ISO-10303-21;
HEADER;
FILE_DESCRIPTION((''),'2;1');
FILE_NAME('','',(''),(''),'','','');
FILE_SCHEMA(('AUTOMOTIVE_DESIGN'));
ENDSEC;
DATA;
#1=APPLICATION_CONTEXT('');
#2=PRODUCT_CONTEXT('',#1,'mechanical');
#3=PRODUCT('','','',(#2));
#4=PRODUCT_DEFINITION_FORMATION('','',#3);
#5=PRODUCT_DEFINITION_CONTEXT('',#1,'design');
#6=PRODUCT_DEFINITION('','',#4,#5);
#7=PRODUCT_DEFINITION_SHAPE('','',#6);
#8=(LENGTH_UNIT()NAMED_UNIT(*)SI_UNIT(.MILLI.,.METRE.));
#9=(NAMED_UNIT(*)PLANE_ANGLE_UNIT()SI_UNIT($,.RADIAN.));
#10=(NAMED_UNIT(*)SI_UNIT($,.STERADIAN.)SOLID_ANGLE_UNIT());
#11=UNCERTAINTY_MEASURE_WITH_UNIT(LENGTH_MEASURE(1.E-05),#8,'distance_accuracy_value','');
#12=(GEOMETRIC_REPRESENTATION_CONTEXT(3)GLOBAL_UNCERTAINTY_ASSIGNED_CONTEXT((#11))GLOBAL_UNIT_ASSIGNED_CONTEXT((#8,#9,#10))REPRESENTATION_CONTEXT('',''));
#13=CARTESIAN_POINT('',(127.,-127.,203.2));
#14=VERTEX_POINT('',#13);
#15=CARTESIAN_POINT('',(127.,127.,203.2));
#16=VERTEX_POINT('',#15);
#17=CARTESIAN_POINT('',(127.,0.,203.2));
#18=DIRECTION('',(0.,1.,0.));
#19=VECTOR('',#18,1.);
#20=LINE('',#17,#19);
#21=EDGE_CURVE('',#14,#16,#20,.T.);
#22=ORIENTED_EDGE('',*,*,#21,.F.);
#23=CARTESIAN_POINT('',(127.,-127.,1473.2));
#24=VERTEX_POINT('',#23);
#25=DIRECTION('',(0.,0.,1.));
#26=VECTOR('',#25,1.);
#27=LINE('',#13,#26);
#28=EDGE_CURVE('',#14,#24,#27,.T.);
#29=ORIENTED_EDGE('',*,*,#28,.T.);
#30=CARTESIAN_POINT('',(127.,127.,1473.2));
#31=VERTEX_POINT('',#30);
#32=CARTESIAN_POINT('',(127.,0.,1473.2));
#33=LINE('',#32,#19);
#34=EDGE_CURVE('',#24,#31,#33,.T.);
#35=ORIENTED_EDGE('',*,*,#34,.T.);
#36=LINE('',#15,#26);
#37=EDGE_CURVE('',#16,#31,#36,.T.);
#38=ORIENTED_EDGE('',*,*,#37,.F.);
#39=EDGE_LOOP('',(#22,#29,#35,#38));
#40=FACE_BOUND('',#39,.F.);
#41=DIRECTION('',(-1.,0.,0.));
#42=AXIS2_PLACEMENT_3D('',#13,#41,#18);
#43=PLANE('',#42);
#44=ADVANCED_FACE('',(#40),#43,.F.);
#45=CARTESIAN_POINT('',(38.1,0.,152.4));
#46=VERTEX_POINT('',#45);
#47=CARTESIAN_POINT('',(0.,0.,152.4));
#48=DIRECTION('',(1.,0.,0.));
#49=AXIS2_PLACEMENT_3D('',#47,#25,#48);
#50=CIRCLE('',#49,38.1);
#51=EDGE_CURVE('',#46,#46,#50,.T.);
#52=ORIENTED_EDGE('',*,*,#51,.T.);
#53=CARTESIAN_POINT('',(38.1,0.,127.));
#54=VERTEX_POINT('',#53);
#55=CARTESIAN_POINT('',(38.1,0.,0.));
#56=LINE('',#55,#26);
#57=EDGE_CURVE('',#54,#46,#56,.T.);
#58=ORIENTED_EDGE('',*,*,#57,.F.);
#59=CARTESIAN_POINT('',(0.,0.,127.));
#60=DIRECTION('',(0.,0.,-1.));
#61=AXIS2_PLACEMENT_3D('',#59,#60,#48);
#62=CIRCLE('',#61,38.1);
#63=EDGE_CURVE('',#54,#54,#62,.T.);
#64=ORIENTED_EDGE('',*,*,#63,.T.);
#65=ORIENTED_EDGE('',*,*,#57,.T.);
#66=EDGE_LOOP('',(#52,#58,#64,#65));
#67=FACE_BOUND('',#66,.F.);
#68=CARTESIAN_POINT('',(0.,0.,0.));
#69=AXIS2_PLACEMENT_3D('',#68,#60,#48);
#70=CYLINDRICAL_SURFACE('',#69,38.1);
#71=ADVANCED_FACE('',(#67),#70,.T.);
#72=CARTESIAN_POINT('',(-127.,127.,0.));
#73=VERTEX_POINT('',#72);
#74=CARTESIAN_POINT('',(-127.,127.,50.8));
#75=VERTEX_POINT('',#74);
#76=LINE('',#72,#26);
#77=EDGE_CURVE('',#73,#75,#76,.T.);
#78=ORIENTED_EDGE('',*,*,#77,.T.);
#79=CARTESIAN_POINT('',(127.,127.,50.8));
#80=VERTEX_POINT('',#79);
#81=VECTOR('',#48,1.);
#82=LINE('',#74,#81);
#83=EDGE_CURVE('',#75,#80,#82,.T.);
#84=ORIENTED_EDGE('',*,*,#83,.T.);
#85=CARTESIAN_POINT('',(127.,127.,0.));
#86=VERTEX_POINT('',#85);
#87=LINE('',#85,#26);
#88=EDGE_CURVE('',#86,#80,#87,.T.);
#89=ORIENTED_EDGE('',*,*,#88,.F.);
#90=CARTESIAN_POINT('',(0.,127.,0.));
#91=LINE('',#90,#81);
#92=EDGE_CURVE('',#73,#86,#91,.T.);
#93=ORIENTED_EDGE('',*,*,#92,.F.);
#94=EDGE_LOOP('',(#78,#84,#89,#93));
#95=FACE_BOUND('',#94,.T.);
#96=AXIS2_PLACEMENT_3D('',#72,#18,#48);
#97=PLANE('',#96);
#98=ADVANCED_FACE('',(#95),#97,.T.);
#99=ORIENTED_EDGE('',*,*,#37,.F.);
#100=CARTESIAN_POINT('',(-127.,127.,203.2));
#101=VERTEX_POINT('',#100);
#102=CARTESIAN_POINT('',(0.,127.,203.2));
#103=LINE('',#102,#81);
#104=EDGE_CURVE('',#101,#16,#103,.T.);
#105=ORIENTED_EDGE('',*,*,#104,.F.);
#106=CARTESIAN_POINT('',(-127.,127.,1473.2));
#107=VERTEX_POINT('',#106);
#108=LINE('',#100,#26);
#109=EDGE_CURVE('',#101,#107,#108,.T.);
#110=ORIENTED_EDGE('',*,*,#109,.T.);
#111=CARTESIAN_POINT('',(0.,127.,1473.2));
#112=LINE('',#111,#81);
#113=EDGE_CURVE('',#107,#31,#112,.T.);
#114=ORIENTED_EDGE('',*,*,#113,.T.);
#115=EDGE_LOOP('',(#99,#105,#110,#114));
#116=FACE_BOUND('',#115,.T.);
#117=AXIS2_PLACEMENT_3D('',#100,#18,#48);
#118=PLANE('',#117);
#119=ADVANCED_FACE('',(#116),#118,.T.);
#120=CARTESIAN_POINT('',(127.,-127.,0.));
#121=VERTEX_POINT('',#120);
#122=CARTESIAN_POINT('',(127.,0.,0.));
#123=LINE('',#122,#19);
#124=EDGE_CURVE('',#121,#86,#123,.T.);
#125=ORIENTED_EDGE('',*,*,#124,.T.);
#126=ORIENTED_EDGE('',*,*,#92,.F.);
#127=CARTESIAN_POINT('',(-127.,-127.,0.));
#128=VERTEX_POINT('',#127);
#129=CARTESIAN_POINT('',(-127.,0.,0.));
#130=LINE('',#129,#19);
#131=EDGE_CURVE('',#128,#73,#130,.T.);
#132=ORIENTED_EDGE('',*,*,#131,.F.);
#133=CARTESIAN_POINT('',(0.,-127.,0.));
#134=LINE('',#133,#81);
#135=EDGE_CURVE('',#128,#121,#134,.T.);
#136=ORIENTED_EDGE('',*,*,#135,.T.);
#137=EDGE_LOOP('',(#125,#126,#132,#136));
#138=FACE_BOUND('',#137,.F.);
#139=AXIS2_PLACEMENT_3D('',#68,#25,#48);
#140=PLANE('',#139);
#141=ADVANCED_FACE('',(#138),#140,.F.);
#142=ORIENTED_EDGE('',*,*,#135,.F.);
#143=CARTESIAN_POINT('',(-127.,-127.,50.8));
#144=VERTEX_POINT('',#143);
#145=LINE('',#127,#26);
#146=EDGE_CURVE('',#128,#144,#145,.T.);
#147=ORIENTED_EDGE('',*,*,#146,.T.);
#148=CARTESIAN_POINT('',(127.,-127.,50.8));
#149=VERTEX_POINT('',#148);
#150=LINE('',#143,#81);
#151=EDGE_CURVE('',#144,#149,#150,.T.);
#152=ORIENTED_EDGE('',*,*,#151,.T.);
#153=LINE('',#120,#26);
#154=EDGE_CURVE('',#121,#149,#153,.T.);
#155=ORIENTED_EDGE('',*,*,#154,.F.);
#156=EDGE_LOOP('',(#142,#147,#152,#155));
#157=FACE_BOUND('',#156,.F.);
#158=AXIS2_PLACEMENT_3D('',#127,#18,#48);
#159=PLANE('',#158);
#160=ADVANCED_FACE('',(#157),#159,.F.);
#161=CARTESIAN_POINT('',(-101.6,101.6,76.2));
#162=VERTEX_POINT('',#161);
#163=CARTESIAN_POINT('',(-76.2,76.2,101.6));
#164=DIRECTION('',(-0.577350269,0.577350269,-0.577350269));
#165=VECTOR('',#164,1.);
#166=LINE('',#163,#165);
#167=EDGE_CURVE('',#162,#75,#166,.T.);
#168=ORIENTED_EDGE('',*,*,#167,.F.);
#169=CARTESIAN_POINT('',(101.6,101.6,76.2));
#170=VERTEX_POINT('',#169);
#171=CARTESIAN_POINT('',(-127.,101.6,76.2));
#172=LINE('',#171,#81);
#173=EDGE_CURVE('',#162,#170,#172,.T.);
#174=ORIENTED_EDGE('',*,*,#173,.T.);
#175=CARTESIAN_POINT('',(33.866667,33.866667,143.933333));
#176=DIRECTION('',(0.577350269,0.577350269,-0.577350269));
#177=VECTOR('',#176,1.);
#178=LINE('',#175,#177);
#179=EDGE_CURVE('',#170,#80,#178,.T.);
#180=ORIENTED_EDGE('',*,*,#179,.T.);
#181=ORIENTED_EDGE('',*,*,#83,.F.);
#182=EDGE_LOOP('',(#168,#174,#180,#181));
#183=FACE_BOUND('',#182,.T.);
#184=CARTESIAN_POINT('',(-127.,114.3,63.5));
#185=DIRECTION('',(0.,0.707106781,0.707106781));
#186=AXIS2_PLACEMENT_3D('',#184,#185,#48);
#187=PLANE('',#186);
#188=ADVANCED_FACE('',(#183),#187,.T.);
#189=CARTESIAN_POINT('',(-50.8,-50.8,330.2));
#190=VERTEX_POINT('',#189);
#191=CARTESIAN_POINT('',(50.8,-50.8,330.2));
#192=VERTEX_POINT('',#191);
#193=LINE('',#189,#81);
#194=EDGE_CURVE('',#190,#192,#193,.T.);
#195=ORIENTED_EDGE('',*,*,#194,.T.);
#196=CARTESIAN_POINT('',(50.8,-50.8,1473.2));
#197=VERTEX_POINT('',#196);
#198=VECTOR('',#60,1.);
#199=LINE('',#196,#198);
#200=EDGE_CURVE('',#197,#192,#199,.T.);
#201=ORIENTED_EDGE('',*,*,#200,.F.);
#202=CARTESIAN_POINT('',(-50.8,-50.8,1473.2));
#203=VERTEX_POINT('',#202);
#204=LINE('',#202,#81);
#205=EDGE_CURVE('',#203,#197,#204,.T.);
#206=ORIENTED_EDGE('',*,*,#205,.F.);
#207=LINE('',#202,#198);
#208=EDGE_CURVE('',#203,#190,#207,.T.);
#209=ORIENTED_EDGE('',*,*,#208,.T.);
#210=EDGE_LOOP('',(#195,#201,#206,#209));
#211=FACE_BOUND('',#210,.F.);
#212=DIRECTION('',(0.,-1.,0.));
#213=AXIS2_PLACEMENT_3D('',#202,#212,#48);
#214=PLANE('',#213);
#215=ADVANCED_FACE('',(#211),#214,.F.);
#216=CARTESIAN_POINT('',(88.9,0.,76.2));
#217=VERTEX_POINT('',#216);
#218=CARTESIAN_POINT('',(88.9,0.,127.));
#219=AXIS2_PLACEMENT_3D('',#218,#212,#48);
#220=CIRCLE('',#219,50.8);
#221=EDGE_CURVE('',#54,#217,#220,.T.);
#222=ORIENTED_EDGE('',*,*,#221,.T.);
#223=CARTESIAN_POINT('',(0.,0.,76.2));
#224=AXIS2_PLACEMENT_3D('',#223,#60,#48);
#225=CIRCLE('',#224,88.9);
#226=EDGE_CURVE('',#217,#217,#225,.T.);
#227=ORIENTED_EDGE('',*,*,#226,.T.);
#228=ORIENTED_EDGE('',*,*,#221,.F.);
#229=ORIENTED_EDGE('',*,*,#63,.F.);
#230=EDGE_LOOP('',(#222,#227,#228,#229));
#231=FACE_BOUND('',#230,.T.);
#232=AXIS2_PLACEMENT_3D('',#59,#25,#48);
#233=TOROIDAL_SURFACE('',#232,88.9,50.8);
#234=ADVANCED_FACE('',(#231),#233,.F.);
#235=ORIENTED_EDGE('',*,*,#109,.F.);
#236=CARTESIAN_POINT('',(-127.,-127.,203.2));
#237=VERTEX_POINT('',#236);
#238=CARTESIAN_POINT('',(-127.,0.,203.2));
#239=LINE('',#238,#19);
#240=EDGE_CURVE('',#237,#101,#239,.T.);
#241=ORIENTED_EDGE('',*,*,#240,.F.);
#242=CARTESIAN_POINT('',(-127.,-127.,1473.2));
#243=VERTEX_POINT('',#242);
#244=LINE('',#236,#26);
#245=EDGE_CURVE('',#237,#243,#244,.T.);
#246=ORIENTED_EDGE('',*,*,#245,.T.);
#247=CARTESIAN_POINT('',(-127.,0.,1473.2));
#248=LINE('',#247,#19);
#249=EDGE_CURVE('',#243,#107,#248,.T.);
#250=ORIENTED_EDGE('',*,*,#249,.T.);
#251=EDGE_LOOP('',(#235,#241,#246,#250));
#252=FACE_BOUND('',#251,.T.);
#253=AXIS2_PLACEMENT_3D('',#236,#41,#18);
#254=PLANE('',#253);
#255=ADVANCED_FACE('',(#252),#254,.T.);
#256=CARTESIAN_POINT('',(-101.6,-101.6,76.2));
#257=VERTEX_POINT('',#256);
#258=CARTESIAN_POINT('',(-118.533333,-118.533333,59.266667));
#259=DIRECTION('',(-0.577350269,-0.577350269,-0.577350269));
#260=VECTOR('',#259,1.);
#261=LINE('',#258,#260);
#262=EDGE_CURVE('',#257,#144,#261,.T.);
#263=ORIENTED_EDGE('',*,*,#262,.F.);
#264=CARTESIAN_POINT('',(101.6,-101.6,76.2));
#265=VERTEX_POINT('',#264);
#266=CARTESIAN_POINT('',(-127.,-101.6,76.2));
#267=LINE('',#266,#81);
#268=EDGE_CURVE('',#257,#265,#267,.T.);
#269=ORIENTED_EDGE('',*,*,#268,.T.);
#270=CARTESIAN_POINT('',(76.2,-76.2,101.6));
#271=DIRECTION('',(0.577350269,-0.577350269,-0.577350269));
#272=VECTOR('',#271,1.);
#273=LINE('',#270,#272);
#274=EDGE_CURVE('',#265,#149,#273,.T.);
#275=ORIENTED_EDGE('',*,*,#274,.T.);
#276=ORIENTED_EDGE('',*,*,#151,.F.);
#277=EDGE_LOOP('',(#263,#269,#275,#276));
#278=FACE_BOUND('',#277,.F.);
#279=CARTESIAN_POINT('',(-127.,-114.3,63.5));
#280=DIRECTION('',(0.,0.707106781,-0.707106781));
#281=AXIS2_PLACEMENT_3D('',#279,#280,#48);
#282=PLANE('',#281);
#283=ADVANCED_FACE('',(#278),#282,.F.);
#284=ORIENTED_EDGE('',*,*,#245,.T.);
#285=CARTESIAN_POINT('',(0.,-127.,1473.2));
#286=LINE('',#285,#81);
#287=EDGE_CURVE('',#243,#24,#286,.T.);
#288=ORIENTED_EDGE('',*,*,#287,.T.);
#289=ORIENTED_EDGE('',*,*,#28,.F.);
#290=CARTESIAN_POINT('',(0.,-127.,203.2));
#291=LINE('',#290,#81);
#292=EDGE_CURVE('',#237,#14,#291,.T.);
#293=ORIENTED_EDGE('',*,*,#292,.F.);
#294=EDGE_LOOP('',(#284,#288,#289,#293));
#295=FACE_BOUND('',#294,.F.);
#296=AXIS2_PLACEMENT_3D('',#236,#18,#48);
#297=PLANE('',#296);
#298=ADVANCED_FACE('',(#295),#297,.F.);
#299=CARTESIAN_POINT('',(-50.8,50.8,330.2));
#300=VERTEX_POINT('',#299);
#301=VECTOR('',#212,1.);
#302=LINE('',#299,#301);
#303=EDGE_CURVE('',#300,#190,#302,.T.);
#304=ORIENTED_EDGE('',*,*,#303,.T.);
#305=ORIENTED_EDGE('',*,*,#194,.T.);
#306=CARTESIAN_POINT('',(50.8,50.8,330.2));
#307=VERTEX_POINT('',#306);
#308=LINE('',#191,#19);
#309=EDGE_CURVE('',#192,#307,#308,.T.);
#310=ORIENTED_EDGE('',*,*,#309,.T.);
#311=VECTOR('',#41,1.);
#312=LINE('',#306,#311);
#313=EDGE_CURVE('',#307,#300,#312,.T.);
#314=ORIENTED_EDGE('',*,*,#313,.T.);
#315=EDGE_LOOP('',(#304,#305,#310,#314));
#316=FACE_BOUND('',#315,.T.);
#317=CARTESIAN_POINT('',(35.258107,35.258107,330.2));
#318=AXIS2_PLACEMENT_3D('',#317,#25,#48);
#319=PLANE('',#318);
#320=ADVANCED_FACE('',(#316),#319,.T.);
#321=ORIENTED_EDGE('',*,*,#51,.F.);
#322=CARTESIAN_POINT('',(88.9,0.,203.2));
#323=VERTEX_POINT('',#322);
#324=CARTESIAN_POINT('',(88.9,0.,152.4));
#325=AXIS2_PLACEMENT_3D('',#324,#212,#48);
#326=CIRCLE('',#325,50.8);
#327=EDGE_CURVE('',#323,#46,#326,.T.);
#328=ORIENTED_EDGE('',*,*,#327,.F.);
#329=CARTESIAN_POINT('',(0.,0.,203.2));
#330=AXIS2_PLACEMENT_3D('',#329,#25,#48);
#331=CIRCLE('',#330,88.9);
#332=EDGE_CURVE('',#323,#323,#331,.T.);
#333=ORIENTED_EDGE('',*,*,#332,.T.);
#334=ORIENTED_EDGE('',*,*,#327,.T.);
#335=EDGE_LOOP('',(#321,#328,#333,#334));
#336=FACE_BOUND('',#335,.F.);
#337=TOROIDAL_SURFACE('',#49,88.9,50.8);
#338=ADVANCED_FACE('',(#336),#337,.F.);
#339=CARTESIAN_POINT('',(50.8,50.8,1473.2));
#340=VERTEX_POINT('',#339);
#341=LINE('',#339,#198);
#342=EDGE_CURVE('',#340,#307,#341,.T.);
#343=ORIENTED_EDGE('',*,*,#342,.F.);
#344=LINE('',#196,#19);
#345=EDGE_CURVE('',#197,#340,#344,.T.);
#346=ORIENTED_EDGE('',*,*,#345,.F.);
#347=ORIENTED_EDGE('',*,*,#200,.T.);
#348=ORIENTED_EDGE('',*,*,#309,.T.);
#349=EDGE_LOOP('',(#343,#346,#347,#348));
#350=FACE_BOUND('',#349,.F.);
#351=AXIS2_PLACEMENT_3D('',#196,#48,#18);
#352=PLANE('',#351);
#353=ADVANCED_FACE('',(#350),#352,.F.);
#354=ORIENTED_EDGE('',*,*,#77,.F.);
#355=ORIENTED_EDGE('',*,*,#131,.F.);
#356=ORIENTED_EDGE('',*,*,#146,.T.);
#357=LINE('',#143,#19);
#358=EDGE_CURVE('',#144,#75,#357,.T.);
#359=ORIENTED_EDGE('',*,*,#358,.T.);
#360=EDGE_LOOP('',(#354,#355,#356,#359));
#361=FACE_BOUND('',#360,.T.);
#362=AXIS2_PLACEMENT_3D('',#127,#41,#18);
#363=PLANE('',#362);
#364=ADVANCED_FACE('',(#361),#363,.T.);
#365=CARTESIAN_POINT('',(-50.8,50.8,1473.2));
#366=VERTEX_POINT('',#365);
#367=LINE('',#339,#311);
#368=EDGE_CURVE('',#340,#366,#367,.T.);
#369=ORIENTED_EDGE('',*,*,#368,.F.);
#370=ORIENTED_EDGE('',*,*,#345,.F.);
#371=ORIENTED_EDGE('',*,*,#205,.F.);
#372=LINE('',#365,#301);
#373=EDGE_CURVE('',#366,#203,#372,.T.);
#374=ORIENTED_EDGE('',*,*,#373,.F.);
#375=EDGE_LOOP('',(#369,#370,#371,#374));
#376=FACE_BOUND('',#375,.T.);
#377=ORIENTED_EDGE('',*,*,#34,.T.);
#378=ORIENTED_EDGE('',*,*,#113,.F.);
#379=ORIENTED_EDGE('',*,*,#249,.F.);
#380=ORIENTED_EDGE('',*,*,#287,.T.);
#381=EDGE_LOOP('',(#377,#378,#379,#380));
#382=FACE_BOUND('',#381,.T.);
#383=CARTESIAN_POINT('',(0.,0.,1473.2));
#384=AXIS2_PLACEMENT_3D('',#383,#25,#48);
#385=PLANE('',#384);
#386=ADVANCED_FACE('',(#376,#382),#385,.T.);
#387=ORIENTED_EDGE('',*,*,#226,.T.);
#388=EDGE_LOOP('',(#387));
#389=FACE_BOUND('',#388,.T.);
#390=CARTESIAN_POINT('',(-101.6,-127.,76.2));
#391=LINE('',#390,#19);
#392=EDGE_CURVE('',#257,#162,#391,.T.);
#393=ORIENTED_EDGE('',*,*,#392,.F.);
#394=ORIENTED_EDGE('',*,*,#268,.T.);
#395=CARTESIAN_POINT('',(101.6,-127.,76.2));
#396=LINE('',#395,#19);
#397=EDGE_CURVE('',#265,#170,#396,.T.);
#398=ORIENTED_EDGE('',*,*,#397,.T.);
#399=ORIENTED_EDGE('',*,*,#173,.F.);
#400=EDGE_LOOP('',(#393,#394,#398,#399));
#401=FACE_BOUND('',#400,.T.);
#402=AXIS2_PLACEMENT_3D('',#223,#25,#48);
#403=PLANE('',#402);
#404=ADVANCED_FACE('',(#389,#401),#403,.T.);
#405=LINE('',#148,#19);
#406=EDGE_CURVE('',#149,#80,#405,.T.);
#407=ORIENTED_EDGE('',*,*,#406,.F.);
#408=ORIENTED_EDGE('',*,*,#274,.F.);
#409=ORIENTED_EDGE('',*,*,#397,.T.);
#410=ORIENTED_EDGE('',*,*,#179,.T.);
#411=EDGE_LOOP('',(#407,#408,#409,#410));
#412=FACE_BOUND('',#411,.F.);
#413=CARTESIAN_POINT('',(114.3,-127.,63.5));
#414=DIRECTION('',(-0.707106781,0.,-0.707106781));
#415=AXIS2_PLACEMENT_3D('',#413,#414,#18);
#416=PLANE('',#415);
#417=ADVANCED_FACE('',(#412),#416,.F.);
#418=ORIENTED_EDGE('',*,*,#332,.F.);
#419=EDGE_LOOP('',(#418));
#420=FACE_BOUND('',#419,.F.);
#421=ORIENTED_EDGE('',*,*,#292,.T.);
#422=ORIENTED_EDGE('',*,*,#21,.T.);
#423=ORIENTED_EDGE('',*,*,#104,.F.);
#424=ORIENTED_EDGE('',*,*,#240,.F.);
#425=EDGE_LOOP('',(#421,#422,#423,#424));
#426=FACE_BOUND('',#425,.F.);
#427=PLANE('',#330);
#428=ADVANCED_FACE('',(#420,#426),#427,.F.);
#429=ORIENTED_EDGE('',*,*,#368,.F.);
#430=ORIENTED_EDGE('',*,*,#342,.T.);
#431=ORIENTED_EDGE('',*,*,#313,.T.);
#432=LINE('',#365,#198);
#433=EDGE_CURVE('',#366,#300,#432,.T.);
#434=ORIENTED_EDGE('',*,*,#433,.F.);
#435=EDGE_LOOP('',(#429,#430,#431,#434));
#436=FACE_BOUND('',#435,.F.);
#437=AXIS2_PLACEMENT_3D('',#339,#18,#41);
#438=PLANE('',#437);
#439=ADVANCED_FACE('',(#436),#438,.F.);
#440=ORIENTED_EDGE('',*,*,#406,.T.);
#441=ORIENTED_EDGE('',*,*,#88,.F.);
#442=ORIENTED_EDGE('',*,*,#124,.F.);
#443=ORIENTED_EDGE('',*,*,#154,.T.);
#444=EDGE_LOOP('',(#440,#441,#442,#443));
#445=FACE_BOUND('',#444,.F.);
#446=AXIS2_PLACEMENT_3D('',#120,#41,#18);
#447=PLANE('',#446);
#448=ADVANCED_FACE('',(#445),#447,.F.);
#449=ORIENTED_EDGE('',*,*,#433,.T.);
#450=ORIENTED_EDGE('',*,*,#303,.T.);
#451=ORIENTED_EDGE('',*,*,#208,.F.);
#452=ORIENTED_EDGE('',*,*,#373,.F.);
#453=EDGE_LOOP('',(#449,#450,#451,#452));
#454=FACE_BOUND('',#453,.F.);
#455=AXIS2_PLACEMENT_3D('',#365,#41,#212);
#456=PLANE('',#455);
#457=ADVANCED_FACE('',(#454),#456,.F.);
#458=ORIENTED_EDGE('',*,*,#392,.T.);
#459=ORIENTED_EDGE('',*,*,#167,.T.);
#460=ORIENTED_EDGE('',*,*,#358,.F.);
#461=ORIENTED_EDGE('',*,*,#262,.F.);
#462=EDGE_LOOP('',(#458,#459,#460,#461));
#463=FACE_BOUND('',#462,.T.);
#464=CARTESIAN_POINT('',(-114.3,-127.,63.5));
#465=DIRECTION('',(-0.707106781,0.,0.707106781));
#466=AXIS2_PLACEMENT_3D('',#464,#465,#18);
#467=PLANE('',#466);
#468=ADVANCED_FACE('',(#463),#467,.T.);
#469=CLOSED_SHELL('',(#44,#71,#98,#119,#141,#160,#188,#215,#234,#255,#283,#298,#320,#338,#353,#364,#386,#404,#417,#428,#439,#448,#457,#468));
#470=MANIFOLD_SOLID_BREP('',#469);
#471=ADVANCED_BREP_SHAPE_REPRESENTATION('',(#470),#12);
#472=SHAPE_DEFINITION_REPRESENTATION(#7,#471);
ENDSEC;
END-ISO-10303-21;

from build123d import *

# Parameters (mm, degrees)
F0_W     = 254
F0_H     = 254
F0_R     = 38.1
F1_DEPTH = 76.2
F2_DEPTH = 203.2
F3_W     = 254
F3_H     = 254
F3_R     = 38.1
F4_DEPTH = 1270
F6_DEPTH = 1143
F7_R     = 50.8
F8_SIZE  = 25.4


with BuildPart() as f1:
    # F0 (on Top) → F1 (new body)
    with BuildSketch(Plane.XY):
        Rectangle(F0_W, F0_H)
        Circle(F0_R, mode=Mode.SUBTRACT)
        Circle(F0_R)
    extrude(amount=F1_DEPTH)

    # F0 (on Top) → F2 (join)
    with BuildSketch(Plane.XY):
        Circle(F0_R)
    extrude(amount=F2_DEPTH)

    # F3 (on face) → F4 (join)
    with BuildSketch(Plane.XY.offset(203.2)):
        Rectangle(F3_W, F3_H)
        Circle(F3_R)
    extrude(amount=F4_DEPTH)

    # F5 (on face) → F6 (cut)
    with BuildSketch(Plane.XY.offset(1473.2)):
        with BuildLine():
            Line((50.8, 0), (50.8, 50.8))
            Line((50.8, 50.8), (0, 50.8))
            ThreePointArc((0, 50.8), (35.921025, 35.921024), (50.8, 0))
        make_face()
        with BuildLine():
            Line((50.8, -50.8), (50.8, 0))
            ThreePointArc((50.8, 0), (35.921024, -35.921024), (0, -50.8))
            Line((0, -50.8), (50.8, -50.8))
        make_face()
        with BuildLine():
            ThreePointArc((0, -50.8), (-35.921024, -35.921025), (-50.8, 0))
            Line((-50.8, 0), (-50.8, -50.8))
            Line((-50.8, -50.8), (0, -50.8))
        make_face()
        with BuildLine():
            ThreePointArc((-50.8, 0), (-35.921025, 35.921024), (0, 50.8))
            Line((0, 50.8), (-50.8, 50.8))
            Line((-50.8, 50.8), (-50.8, 0))
        make_face()
        with BuildLine():
            ThreePointArc((50.8, 0), (35.921025, 35.921024), (0, 50.8))
            ThreePointArc((0, 50.8), (-35.921025, 35.921024), (-50.8, 0))
            ThreePointArc((-50.8, 0), (-35.921024, -35.921025), (0, -50.8))
            ThreePointArc((0, -50.8), (35.921024, -35.921024), (50.8, 0))
        make_face()
    extrude(amount=-F6_DEPTH, mode=Mode.SUBTRACT)

    # F7
    f7_edges = [f1.edges().sort_by_distance(p)[0] for p in [
        (-38.1, 0, 76.2),
        (-38.1, 0, 203.2),
    ]]
    fillet(f7_edges, radius=F7_R)

    # F8
    f8_edges = [f1.edges().sort_by_distance(p)[0] for p in [
        (0, -127, 76.2),
        (127, 0, 76.2),
        (0, 127, 76.2),
        (-127, 0, 76.2),
    ]]
    chamfer(f8_edges, length=F8_SIZE)


solid = f1.part
